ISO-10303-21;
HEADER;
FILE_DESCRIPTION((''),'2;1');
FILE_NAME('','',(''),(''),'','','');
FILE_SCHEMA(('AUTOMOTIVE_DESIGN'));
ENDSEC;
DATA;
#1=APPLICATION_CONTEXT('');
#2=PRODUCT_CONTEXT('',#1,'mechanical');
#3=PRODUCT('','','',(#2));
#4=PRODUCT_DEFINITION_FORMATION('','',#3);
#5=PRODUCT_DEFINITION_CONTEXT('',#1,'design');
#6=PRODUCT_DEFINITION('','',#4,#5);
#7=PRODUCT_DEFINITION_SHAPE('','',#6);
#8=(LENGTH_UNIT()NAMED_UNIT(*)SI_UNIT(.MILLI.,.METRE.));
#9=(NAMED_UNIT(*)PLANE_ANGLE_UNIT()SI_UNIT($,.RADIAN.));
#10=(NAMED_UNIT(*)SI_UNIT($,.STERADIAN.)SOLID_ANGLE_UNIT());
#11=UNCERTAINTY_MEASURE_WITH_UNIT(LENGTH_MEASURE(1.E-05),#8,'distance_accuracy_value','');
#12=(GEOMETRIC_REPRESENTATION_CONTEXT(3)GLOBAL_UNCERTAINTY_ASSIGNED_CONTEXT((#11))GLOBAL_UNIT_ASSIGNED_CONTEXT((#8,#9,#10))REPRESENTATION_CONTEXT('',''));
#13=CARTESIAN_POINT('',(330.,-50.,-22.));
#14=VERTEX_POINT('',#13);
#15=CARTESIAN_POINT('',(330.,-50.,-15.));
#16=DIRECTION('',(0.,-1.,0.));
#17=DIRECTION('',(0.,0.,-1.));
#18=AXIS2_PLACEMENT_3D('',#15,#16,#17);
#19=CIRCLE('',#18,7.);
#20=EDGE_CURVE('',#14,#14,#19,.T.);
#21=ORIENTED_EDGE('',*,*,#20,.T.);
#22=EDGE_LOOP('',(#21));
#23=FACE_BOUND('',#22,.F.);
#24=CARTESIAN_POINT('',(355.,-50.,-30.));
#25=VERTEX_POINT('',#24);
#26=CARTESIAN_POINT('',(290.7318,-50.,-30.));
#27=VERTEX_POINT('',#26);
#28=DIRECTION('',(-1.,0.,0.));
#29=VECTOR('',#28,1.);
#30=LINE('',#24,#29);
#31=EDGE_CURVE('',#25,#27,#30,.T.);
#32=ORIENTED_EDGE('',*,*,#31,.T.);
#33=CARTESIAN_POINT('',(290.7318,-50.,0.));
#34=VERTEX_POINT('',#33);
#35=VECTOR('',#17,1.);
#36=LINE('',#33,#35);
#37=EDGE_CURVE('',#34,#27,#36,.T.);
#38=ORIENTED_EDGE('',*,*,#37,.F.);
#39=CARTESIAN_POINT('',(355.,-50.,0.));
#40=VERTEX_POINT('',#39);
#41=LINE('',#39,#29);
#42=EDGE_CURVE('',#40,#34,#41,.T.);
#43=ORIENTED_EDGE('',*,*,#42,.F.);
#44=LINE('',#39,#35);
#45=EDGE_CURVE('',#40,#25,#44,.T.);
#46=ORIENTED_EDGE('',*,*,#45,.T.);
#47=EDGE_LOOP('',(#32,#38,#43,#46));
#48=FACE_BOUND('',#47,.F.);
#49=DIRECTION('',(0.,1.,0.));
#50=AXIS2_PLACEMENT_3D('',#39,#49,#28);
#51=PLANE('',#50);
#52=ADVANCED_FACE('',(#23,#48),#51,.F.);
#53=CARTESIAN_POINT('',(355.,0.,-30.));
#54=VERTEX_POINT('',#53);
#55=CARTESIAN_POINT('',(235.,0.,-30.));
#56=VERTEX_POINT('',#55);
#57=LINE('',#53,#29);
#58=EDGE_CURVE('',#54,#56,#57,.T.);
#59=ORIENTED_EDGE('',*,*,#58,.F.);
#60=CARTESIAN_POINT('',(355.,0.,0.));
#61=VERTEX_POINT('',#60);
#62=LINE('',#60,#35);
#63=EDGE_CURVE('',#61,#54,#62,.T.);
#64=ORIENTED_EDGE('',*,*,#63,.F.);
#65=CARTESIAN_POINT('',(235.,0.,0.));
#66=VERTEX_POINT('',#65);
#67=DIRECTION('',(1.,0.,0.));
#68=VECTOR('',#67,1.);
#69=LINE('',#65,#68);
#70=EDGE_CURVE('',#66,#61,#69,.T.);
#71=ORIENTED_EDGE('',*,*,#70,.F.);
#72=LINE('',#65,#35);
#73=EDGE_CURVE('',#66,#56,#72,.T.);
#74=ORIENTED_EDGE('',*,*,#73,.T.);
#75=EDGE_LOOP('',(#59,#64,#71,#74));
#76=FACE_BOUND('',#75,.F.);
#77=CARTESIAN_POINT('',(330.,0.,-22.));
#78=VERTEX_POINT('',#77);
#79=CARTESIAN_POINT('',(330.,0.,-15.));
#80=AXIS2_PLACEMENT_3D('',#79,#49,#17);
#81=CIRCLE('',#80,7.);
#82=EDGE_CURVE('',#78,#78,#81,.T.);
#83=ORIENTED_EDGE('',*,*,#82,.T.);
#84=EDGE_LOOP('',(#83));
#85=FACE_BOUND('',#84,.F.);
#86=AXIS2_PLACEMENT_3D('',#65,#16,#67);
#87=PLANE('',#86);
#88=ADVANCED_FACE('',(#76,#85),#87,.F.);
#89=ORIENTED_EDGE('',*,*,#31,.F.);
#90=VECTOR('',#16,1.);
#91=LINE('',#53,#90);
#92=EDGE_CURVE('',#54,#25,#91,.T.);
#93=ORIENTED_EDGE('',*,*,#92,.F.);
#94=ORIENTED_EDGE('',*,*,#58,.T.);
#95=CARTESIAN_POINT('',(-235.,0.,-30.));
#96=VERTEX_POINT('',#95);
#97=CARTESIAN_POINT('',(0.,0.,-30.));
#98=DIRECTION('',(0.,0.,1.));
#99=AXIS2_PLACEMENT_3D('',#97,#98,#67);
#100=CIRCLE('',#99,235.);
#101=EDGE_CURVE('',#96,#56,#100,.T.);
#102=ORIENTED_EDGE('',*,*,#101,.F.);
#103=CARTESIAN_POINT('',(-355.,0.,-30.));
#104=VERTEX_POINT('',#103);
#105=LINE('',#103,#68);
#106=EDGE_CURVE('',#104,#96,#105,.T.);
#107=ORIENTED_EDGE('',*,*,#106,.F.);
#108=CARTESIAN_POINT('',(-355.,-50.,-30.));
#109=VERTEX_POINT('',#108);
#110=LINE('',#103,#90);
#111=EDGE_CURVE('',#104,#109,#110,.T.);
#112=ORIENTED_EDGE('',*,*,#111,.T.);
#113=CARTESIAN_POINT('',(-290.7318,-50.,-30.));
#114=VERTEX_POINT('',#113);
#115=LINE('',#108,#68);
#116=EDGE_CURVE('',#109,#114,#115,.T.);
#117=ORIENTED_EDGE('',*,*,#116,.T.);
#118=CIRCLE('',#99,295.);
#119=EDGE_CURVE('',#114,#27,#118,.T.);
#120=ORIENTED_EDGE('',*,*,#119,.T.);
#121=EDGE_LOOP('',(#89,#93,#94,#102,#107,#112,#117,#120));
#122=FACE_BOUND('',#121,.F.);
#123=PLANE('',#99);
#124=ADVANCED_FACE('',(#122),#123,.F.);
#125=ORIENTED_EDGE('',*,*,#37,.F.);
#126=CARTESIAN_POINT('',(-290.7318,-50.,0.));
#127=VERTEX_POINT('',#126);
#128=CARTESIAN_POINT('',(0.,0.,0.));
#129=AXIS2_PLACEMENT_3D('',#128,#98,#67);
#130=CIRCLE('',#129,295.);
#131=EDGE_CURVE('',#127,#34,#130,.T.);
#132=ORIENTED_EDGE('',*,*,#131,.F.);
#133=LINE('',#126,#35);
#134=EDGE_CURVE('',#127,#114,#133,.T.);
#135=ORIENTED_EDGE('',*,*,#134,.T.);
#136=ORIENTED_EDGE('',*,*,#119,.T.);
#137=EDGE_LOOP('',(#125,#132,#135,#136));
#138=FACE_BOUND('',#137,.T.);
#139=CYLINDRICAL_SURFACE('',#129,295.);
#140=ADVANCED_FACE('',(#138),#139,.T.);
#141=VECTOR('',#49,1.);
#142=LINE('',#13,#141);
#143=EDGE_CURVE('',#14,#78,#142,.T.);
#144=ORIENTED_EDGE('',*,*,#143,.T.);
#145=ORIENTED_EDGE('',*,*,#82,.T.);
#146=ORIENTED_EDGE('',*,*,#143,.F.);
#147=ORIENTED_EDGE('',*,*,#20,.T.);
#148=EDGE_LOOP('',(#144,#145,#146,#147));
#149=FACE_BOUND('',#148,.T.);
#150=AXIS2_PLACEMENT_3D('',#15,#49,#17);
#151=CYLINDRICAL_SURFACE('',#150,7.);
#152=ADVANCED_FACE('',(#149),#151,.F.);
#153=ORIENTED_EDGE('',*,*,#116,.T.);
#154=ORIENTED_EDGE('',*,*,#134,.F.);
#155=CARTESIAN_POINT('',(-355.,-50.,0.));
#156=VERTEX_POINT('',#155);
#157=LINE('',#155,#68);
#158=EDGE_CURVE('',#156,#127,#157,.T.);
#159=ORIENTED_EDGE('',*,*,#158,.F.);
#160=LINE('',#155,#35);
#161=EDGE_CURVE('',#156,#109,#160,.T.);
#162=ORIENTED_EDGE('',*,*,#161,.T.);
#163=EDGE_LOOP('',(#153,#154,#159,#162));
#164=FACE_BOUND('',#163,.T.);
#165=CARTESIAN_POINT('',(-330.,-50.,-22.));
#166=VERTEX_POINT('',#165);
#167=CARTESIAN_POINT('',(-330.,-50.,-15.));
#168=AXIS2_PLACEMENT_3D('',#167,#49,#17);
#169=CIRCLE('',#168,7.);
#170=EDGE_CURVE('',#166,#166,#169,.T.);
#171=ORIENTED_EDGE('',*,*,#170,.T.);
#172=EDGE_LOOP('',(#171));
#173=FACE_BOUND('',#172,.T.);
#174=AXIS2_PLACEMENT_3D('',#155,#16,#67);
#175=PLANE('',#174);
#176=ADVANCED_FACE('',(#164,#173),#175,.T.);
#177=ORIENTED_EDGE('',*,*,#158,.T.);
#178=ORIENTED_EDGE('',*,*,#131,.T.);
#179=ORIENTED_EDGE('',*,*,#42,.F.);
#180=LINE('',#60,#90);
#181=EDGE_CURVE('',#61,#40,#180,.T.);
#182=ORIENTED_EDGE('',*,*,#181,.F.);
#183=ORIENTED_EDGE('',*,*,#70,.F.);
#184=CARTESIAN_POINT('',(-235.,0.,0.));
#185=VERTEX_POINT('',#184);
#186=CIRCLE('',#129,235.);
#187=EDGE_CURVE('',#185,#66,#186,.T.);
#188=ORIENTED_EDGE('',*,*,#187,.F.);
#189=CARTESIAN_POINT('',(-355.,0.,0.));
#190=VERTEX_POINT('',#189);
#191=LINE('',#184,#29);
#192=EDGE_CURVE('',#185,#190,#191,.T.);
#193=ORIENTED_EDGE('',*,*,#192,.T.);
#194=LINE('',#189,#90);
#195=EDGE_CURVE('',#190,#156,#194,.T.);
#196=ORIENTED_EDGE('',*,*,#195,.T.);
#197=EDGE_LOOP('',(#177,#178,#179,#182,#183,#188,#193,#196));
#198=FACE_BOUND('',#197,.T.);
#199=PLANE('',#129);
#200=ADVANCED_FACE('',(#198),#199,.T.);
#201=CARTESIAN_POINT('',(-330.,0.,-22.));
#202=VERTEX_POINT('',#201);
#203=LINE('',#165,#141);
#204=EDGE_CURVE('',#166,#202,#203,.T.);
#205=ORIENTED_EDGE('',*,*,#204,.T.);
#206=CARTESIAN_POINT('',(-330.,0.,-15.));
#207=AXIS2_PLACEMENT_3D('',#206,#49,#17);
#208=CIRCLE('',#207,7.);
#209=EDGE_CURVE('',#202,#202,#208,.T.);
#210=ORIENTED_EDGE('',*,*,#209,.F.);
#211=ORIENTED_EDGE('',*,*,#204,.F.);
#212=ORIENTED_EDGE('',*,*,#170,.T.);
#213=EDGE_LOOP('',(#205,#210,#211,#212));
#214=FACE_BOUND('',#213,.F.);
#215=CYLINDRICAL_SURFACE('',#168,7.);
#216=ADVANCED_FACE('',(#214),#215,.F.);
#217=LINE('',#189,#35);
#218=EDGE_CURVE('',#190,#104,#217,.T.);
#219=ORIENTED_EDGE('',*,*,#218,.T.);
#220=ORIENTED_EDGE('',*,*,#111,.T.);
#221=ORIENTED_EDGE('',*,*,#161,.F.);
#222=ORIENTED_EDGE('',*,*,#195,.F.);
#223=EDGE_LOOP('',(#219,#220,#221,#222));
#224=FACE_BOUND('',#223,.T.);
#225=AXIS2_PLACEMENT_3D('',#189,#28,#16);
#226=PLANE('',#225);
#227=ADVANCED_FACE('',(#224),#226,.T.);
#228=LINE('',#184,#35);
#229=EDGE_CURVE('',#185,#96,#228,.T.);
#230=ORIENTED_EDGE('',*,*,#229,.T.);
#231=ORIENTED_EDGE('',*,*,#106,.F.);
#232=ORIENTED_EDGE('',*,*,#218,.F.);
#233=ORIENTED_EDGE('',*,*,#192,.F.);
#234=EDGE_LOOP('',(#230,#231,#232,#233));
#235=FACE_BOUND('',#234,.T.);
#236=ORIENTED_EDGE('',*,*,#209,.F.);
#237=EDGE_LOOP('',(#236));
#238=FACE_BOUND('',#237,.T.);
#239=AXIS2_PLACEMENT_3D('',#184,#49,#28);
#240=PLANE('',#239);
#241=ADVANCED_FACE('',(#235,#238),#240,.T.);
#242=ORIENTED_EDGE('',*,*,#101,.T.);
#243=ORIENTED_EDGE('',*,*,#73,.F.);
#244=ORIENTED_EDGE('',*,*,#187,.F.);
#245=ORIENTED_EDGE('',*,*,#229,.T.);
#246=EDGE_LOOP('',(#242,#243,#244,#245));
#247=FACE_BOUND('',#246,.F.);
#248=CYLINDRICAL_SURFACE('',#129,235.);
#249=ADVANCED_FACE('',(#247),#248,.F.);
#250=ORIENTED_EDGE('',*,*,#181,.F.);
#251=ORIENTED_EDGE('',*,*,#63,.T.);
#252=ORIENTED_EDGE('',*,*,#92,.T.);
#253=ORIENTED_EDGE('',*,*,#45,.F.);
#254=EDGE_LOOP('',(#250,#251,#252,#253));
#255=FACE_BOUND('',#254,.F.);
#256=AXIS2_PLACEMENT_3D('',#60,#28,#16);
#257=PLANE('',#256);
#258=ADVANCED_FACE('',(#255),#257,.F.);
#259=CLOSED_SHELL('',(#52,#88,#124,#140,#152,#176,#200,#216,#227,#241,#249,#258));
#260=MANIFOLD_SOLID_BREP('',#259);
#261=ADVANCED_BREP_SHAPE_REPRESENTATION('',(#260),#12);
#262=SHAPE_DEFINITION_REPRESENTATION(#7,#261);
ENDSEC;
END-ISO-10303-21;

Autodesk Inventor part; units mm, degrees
ref_plane "YZ Plane" through (0, 0, 0) normal (1, 0, 0) x (0, 1, 0)
ref_plane "XZ Plane" through (0, 0, 0) normal (0, 1, 0) x (-1, 0, 0)
ref_plane "XY Plane" through (0, 0, 0) normal (0, 0, 1) x (1, 0, 0)
sketch "Sketch1" plane through (0, 0, 0) normal (0, 0, 1) x (1, 0, 0)
  circle A0 centre (0, 0) radius 265 construction
  line L0 (0, 265) -> (0, 295) construction
  line L1 (0, 265) -> (0, 235) construction
  circle A1 centre (0, 0) radius 235
  circle A2 centre (0, 0) radius 295
  line L2 (-235, 0) -> (-235, 80)
  line L3 (-235, 80) -> (-295, 80)
  line L4 (-295, 80) -> (-295, 0)
  line L5 (235, 0) -> (235, 80)
  line L6 (235, 80) -> (295, 80)
  line L7 (295, 80) -> (295, 0)
  line L8 (-235, 0) -> (-295, 0)
  line L9 (-295, 0) -> (-355, 0)
  line L10 (-355, 0) -> (-355, -50)
  line L11 (-355, -50) -> (-290.7318, -50)
  line L12 (235, 0) -> (295, 0)
  line L13 (295, 0) -> (355, 0)
  line L14 (355, 0) -> (355, -50)
  line L15 (355, -50) -> (290.7318, -50)
  dimension "d13" = 530
  dimension "d26" = 80
  dimension "d36" = 60
  dimension "d40" = 60
  dimension "d41" = 50
extrude "Extrusion1" add sketch "Sketch1" against normal blind 30 contours L12 A2 L8 A1 | L13 L14 L15 A2 | A2 L11 L10 L9
sketch "Sketch4" plane through (0, 0, 0) normal (0, 0, 1) x (1, 0, 0)
  line L0 (0, 0) -> (51.6989, -259.9081) construction
  line L1 (0, 0) -> (0, -276.8337) construction
  dimension "d27" = 265
  dimension "d35" = 11.25
sketch "Sketch7" plane through (0, 0, 0) normal (0, 0, 1) x (1, 0, 0)
  line L0 (-355, -50) -> (-355, 0) construction
  line L1 (-355, -25) -> (355, -25) construction
  line L2 (355, 0) -> (355, -50) construction
  point P0 (0, 0)
  point P1 (-330, -25)
  dimension "d42" = 25
fillet "Fillet2" [suppressed]
hole "Hole1" [suppressed]
hole "Hole2" [suppressed]
pattern_circular "Circular Pattern4" [suppressed]
sketch "Sketch8" plane through (-355, -50, -30) normal (0, -1, 0) x (1, 0, 0)
  line L0 (0, 30) -> (0, 0) projected
  point P0 (355, 30)
  point P1 (25, 15)
  point P2 (0, 15)
  dimension "d63" = 25
hole "Hole3" at (-330, -50, -15) direction (0, 1, 0) diameter 14 end through all
mirror "Mirror1" about plane through (0, 0, 0) normal (1, 0, 0) of "Hole3"
equation "\"d13\" = Шпил_пласт_КОРМА_диам_центров"
equation "\"d40\" = d36"
equation "\"d27\" = 0.5 * Шпил_пласт_КОРМА_диам_центров"
equation "\"BendReliefDepth\" = 0.5 * Thickness"
equation "\"Шпил_пласт_КОРМА_диам_центров\" = 530"
equation "\"Thickness\" = 30"
properties part number "Постель 201 зад_CPY"
